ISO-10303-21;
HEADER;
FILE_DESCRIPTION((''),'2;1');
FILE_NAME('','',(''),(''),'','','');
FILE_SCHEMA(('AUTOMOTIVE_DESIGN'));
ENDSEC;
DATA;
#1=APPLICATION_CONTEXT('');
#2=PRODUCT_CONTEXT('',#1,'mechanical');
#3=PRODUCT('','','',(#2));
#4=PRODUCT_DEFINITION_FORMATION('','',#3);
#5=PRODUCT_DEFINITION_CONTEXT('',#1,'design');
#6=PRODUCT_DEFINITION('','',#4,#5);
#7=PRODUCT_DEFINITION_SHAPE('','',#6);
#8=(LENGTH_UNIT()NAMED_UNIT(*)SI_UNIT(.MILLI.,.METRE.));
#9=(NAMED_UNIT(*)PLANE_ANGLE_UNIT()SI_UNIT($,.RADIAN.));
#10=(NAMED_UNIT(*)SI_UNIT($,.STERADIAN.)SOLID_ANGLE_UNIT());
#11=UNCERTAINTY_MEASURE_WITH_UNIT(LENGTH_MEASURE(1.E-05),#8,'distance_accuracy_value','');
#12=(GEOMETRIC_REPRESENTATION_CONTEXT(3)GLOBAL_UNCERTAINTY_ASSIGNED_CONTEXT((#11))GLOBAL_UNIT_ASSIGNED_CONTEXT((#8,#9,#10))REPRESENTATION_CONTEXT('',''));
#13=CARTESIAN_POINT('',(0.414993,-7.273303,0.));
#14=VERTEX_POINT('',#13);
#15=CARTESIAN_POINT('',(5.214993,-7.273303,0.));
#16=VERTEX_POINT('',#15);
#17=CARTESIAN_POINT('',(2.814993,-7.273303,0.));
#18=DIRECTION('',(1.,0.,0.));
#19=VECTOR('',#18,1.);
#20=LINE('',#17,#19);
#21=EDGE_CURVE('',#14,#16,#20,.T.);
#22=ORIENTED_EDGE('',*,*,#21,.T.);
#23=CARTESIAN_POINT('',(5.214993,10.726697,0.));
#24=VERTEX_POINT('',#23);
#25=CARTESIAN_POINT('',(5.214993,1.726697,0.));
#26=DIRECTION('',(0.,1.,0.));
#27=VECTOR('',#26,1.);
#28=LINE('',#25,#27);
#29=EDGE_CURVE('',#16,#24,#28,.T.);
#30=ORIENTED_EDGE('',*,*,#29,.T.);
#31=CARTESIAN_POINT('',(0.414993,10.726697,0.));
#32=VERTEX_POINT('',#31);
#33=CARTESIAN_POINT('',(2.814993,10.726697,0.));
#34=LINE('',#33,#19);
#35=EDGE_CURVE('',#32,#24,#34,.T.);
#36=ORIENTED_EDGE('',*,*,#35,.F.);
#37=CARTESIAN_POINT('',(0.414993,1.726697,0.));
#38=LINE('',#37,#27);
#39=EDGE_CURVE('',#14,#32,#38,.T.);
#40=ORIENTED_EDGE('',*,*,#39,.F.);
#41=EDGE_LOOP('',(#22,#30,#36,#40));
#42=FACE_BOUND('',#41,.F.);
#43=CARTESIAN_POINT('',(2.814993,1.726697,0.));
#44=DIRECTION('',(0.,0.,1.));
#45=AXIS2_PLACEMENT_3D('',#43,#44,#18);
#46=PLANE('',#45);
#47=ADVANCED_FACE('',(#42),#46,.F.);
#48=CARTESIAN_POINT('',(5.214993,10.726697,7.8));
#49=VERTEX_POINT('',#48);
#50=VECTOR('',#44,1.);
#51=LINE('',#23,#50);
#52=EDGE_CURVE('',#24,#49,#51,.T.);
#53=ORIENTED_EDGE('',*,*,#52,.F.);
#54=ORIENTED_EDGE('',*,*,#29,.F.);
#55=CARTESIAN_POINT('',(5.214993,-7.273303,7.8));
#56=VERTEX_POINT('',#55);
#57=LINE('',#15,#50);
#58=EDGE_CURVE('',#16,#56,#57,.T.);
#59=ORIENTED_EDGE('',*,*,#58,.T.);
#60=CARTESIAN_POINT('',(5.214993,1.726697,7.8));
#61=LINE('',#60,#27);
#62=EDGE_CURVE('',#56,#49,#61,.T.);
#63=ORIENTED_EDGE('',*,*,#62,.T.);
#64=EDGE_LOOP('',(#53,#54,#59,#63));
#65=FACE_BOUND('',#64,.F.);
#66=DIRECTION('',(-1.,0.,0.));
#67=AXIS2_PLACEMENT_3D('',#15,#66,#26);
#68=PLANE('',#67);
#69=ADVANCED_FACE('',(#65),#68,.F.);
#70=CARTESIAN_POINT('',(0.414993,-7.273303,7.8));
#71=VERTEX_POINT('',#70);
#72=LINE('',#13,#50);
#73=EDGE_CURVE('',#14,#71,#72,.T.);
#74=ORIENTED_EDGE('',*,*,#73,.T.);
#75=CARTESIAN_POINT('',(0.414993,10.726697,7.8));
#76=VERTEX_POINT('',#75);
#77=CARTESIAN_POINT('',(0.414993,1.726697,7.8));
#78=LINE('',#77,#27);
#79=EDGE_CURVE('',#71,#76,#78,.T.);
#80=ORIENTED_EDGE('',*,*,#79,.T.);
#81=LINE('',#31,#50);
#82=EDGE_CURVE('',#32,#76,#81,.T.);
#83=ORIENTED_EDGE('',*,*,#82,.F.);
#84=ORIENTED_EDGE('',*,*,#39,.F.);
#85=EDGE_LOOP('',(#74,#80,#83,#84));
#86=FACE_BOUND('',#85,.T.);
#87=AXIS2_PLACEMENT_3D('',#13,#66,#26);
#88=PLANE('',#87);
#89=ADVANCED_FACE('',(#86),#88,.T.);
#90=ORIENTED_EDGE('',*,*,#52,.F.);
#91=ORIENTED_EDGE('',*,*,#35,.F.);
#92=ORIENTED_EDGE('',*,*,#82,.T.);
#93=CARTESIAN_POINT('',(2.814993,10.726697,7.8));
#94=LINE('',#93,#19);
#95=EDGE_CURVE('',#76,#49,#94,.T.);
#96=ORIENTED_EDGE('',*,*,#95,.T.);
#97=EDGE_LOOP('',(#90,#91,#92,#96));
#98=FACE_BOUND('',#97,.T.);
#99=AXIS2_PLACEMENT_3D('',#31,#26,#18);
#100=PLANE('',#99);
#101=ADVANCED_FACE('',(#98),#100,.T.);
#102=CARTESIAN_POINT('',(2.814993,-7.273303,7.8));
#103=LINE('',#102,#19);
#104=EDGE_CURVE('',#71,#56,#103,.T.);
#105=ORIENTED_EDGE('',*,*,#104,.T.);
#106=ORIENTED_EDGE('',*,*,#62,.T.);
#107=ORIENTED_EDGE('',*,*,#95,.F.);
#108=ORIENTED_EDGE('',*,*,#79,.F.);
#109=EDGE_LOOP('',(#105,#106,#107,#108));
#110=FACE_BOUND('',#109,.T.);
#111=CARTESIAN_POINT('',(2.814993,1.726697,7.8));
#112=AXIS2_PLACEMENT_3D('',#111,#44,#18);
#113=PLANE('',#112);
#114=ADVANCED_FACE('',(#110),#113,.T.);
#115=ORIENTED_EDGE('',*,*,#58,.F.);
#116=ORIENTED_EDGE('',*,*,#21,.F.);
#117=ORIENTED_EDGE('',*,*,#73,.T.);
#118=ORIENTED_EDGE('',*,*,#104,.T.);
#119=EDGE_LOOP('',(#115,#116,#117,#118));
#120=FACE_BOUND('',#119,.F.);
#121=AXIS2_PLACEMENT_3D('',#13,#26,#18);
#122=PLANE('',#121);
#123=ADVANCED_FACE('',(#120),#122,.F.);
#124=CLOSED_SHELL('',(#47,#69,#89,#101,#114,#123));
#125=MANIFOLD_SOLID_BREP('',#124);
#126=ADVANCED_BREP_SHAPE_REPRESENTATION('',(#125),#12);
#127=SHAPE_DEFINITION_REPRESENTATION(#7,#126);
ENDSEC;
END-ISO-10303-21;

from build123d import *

# Parameters (mm, degrees)
SKETCH_W  = 4.8
SKETCH_H  = 18
PAD_DEPTH = 7.8


with BuildPart() as part:
    # Sketch → Pad (new body)
    with BuildSketch(Plane.XY):
        with Locations((2.814993, 1.726697)):
            Rectangle(SKETCH_W, SKETCH_H)
    extrude(amount=PAD_DEPTH)


solid = part.part
